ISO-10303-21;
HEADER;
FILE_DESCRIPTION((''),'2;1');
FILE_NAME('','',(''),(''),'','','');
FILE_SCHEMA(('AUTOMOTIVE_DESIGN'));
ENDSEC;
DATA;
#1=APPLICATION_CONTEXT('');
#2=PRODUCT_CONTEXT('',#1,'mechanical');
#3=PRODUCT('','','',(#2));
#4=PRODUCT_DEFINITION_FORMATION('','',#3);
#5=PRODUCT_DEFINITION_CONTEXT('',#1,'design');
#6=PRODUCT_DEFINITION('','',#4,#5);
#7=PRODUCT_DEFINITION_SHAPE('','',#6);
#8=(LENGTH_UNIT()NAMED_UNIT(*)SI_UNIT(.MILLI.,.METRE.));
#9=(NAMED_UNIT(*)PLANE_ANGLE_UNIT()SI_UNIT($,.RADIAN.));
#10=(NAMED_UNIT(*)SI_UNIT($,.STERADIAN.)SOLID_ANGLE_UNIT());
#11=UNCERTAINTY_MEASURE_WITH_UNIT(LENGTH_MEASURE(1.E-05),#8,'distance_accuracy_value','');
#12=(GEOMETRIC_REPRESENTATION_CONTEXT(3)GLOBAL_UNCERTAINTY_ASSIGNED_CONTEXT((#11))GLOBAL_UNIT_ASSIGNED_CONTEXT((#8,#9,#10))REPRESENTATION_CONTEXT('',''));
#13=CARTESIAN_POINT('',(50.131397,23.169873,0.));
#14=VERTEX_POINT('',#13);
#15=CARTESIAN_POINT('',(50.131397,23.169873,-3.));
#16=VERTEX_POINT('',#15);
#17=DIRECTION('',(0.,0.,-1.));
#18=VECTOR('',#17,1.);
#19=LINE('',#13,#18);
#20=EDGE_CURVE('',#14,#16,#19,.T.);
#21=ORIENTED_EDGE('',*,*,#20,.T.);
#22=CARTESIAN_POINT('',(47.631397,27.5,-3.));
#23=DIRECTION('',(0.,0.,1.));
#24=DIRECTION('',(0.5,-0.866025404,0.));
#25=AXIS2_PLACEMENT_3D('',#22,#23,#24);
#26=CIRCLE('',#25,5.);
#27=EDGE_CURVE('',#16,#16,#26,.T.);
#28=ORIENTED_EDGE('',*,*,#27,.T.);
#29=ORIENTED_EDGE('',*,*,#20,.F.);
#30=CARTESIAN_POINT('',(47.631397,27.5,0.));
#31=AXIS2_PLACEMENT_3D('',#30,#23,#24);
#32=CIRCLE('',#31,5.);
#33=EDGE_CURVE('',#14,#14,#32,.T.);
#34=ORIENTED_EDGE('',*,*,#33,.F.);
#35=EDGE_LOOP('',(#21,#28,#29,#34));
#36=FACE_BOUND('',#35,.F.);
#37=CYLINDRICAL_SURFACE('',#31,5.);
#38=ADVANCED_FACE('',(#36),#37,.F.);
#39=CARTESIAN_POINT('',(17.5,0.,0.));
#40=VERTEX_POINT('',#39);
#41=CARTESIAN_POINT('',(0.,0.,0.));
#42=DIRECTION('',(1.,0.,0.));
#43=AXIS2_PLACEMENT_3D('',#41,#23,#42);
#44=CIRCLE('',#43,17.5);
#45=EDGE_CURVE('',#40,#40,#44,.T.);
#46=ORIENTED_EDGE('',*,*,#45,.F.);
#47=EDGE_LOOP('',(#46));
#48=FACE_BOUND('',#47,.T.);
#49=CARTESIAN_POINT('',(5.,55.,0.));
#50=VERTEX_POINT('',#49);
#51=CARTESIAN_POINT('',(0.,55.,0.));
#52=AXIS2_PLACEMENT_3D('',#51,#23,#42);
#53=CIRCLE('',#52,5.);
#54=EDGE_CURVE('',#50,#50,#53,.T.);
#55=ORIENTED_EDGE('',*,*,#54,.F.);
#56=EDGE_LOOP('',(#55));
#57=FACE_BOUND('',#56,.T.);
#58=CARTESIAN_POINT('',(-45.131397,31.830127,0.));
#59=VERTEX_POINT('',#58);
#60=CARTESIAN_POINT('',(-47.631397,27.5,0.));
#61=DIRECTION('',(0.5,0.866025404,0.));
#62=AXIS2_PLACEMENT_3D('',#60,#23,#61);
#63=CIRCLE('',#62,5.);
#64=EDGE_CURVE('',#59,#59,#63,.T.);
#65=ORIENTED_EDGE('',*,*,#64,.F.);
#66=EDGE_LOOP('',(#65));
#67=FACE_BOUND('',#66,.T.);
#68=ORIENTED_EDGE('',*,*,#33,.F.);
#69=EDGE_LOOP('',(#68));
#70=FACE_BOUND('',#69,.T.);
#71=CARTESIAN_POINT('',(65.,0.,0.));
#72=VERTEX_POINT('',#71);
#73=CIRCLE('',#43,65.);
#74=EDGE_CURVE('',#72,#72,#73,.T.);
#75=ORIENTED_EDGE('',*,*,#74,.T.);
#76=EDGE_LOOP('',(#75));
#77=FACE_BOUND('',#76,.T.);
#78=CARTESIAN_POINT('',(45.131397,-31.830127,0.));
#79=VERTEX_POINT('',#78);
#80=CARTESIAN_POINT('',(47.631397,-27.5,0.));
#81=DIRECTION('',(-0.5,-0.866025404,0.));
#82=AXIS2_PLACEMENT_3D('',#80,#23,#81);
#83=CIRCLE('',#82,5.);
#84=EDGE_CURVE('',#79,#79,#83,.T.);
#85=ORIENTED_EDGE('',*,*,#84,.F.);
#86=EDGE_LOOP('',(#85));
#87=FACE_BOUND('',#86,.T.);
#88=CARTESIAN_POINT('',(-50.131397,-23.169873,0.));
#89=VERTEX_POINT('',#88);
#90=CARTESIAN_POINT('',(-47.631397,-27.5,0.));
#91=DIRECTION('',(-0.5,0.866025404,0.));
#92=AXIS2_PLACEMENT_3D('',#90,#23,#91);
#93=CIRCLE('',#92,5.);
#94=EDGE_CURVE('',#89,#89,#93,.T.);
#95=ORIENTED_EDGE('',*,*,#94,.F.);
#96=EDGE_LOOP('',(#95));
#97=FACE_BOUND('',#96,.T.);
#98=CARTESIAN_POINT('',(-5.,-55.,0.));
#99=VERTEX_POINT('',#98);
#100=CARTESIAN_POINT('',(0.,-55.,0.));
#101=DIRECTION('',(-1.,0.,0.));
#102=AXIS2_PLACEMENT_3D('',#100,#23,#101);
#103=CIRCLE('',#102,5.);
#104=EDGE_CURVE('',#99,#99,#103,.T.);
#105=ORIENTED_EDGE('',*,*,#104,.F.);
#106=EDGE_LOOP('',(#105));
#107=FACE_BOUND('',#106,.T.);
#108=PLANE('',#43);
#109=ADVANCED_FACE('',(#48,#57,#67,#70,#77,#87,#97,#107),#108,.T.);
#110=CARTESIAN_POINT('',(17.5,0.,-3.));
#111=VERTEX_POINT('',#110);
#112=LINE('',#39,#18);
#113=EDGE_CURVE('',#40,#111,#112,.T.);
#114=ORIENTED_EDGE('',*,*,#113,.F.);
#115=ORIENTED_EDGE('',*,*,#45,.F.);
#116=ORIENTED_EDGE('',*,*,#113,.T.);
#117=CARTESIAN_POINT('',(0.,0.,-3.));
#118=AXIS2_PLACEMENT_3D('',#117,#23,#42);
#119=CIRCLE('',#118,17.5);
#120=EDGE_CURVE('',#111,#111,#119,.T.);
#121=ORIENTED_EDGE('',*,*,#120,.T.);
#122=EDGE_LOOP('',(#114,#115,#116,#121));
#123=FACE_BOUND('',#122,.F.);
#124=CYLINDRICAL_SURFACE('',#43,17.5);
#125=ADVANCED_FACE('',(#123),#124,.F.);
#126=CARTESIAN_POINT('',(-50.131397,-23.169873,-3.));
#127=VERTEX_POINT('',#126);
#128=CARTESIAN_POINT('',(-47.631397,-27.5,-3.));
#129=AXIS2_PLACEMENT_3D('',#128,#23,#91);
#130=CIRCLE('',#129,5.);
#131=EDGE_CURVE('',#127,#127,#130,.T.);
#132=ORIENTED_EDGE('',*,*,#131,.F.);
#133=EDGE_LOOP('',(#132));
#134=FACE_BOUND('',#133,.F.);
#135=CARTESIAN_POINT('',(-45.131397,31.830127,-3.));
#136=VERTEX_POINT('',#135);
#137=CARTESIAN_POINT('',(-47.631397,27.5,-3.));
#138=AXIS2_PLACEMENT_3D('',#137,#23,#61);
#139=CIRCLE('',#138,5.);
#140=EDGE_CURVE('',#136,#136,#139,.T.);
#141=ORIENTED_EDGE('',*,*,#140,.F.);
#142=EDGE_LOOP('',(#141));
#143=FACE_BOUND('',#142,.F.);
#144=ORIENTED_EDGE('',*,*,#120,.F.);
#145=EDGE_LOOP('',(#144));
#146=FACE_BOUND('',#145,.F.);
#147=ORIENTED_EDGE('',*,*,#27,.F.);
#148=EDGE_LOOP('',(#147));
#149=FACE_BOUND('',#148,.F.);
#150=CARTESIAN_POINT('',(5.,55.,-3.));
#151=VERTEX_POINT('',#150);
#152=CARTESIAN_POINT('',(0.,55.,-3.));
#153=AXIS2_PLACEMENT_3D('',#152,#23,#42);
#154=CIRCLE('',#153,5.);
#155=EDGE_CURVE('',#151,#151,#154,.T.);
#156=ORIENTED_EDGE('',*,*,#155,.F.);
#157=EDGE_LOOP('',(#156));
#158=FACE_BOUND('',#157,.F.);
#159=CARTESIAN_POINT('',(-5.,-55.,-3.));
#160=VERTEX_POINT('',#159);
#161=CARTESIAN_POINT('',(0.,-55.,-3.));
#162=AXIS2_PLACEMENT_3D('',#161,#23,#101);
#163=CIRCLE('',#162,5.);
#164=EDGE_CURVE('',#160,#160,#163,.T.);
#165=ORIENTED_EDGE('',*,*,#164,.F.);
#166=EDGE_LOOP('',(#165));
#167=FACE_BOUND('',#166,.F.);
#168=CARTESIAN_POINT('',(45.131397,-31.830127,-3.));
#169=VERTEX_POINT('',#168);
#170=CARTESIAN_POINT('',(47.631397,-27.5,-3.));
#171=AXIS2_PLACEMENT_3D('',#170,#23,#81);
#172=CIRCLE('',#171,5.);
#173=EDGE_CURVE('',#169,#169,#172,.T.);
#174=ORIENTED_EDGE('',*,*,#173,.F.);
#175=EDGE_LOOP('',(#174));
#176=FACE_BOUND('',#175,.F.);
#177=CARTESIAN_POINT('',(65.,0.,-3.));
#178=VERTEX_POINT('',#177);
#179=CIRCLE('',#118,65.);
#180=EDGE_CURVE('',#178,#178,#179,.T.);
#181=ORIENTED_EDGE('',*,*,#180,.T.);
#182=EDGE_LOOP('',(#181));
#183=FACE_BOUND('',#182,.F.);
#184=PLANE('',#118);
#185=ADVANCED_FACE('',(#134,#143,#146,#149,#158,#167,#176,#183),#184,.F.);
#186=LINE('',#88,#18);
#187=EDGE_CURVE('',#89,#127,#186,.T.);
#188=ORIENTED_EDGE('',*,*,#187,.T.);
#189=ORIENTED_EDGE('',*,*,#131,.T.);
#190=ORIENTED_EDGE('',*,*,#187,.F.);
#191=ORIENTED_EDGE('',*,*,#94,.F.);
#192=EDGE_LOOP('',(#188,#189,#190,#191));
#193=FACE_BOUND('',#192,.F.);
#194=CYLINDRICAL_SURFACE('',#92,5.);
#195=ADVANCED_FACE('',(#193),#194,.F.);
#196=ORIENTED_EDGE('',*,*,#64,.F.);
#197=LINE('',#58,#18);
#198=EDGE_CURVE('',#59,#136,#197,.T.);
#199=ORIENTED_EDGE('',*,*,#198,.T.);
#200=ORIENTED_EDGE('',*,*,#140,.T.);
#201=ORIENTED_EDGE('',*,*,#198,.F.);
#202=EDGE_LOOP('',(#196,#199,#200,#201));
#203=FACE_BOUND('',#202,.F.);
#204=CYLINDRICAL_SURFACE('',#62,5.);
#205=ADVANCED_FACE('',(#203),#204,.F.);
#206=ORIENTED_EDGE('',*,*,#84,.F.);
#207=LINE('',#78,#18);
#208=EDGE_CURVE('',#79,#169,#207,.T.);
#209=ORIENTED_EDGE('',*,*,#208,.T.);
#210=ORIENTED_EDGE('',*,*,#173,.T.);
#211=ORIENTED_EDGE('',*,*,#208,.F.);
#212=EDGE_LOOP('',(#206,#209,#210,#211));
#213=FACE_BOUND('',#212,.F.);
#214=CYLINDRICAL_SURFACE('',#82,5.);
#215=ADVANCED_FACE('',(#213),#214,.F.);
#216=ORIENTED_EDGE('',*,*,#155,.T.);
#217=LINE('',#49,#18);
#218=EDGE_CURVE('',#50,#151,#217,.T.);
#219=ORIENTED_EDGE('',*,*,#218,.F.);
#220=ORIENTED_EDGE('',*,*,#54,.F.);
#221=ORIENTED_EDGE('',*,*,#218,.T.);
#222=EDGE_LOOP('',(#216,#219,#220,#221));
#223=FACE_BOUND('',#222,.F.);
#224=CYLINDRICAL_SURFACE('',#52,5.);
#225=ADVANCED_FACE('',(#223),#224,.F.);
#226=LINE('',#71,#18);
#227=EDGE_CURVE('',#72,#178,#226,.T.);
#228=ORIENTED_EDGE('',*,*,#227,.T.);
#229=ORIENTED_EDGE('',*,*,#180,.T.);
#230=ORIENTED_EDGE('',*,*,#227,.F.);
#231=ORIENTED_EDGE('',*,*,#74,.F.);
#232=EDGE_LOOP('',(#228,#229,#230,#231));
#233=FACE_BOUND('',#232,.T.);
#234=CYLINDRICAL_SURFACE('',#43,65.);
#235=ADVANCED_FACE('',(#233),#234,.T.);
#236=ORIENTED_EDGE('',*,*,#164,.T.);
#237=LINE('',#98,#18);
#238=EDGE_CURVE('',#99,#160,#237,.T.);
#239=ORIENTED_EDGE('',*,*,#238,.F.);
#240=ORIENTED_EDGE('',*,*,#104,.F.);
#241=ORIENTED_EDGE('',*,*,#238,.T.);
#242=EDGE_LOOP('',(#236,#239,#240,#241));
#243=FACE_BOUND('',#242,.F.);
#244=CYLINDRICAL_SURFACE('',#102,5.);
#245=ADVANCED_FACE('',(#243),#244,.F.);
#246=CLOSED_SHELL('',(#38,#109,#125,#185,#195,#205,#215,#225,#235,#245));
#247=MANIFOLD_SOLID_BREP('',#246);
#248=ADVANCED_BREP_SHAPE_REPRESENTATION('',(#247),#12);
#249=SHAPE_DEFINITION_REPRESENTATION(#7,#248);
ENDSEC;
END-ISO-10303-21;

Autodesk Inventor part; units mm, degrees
ref_plane "YZ Plane" through (0, 0, 0) normal (1, 0, 0) x (0, 1, 0)
ref_plane "XZ Plane" through (0, 0, 0) normal (0, 1, 0) x (-1, 0, 0)
ref_plane "XY Plane" through (0, 0, 0) normal (0, 0, 1) x (1, 0, 0)
sketch "Sketch1" plane through (0, 0, 0) normal (0, 0, 1) x (1, 0, 0)
  circle A0 centre (0, 0) radius 65
  dimension "d0" = 130
extrude "Plate1" add sketch "Sketch1" against normal blind 3
sketch "Sketch2" plane through (0, 0, 0) normal (0, 0, 1) x (1, 0, 0)
  circle A0 centre (0, 55) radius 5
  circle A1 centre (0, 0) radius 65 projected
  dimension "d2" = 10
  dimension "d3" = 55
extrude "Cut1" cut sketch "Sketch2" against normal through all contours A0
pattern_circular "Circular Pattern1" count 6 over 360 about axis through (0, 0, 0) along (0, 0, -1) of "Cut1"
sketch "Sketch3" plane through (0, 0, 0) normal (0, 0, 1) x (1, 0, 0)
  circle A0 centre (0, 0) radius 17.5
  dimension "d9" = 35
extrude "Extrusion1" cut sketch "Sketch3" against normal through all
equation "\"d4\" = Thickness"
equation "\"d1\" = Thickness"
equation "\"BendReliefWidth\" = Thickness"
equation "\"BendReliefDepth\" = 0.5 * Thickness"
equation "\"CornerReliefSize\" = 4 * Thickness"
equation "\"MinimumRemnant\" = 2 * Thickness"
equation "\"TransitionRadius\" = BendRadius"
equation "\"JacobiRadiusSize\" = BendRadius"
equation "\"GapSize\" = Thickness"
equation "\"Thickness\" = 3"
equation "\"BendRadius\" = 2.75"
properties part number "TRM 041 flange" material "Stainless Steel"
